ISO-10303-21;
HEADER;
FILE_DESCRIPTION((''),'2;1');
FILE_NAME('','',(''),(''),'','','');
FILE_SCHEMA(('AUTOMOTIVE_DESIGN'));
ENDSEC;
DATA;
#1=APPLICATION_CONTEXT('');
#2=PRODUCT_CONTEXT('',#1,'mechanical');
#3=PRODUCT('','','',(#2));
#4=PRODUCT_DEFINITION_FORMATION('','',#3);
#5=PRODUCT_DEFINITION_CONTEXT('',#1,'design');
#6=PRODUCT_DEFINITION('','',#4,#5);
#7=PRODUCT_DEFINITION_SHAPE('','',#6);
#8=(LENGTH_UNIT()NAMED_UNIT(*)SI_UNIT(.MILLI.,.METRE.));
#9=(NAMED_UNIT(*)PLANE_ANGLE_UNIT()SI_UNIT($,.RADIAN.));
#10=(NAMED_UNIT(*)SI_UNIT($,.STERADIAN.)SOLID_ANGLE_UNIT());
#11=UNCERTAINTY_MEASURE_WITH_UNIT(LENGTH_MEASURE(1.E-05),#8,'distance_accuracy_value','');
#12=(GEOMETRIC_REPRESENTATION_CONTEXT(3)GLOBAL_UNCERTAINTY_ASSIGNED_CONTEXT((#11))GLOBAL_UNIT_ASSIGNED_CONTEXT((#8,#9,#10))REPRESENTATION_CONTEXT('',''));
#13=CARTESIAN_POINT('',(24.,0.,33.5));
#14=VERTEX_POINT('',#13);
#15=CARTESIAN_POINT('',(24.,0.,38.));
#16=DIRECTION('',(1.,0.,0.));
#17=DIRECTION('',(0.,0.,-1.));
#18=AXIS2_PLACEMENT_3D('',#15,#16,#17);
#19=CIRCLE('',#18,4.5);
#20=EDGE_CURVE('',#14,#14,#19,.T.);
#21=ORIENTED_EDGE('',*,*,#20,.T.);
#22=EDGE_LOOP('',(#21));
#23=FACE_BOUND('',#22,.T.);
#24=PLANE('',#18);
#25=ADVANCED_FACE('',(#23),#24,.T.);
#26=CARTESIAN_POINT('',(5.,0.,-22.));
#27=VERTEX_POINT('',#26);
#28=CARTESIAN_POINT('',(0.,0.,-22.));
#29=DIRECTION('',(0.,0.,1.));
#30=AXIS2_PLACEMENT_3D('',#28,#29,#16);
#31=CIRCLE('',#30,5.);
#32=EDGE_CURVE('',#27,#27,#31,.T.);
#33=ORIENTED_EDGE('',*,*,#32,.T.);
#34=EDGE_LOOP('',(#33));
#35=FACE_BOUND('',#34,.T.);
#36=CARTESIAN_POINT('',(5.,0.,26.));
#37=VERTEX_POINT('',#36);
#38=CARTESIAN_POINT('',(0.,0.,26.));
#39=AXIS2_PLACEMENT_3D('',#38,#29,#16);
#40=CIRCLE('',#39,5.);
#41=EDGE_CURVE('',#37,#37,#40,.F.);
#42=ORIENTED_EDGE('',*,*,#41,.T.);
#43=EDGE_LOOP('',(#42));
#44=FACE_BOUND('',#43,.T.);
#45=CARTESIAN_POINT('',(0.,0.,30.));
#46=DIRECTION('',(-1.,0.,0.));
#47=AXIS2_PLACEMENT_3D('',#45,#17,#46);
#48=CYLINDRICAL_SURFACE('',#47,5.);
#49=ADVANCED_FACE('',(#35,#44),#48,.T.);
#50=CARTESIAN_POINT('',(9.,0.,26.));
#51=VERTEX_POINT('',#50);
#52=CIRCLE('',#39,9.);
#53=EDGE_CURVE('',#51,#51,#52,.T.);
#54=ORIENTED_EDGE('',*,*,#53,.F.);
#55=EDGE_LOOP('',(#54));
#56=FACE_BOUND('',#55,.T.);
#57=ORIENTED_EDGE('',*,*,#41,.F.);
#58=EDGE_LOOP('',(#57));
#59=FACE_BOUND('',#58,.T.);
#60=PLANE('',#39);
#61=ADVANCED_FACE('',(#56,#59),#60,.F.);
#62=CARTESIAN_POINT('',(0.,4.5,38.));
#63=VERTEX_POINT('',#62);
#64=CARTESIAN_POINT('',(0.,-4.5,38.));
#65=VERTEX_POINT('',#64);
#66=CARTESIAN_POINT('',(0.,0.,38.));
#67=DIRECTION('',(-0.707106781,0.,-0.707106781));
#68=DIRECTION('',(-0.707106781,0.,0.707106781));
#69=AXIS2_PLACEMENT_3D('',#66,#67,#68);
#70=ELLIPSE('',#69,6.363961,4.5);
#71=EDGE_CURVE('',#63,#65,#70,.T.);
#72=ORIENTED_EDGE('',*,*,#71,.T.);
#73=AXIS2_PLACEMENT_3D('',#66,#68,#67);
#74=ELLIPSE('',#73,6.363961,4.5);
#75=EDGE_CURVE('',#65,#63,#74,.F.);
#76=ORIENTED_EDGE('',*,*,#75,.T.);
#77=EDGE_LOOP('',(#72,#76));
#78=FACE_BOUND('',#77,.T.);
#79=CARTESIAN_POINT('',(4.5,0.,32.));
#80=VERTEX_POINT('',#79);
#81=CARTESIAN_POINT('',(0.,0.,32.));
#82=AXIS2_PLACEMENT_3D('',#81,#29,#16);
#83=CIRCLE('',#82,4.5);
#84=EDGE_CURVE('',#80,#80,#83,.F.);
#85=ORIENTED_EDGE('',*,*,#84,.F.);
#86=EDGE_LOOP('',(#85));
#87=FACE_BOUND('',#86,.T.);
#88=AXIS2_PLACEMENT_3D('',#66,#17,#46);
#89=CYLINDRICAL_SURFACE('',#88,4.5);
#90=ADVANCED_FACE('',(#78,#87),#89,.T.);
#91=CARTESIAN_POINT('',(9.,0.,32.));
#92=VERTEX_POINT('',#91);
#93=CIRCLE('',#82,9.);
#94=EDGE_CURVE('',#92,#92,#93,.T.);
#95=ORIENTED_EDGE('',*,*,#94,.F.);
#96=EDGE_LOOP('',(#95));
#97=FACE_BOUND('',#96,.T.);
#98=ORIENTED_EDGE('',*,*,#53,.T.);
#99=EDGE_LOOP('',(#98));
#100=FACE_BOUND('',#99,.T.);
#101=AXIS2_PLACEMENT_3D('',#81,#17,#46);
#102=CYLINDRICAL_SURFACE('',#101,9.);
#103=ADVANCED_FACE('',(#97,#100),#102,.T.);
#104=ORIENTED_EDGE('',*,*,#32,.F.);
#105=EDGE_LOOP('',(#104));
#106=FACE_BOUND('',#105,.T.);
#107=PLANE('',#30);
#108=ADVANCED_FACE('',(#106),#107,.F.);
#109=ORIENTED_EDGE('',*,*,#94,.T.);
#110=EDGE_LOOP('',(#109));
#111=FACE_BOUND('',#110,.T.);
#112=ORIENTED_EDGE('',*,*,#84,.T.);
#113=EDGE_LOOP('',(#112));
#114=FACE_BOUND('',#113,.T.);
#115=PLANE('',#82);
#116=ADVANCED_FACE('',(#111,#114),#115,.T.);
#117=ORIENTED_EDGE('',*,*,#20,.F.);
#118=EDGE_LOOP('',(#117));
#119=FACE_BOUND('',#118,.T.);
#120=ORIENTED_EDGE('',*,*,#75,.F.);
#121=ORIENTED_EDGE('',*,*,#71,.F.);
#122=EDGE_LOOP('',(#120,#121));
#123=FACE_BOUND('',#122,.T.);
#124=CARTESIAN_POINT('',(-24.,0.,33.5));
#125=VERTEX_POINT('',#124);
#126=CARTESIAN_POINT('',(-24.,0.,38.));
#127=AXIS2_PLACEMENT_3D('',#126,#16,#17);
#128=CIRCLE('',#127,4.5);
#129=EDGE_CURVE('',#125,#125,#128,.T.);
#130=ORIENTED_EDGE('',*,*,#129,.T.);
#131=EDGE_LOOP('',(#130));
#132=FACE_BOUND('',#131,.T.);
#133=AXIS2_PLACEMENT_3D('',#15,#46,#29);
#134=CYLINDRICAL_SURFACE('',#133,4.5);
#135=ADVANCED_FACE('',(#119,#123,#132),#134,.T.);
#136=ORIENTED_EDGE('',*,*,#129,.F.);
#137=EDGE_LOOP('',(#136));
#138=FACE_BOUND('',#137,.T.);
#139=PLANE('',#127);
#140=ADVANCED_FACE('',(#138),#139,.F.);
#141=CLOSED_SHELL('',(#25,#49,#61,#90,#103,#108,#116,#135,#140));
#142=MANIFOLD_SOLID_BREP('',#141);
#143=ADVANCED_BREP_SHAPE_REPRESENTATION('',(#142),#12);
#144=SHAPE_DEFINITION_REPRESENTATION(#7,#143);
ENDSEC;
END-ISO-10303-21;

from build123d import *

# Parameters (mm, degrees)
EXTRUDE_START       = -22
EXTRUDE_SKETCH_1_R  = 5
EXTRUDE_1_DEPTH     = 52
EXTRUDE_START_2     = 26
EXTRUDE_SKETCH_2_R  = 9
EXTRUDE_2_DEPTH     = 6
PIPE_SKETCH_1_R     = 4.5
PIPE_1_DEPTH        = 48
PIPE_ROTATE_1_ANGLE = 90
EXTRUDE_START_3     = 30
EXTRUDE_SKETCH_3_R  = 4.5
EXTRUDE_3_DEPTH     = 8


with BuildPart() as part:
    # Extrude sketch 1 → Extrude 1 (new body)
    with BuildSketch(Plane.XY.offset(EXTRUDE_START)):
        Circle(EXTRUDE_SKETCH_1_R)
    extrude(amount=EXTRUDE_1_DEPTH)


with BuildPart() as body_2:
    # Extrude sketch 2 → Extrude 2 (new body)
    with BuildSketch(Plane.XY.offset(EXTRUDE_START_2)):
        Circle(EXTRUDE_SKETCH_2_R)
    extrude(amount=EXTRUDE_2_DEPTH)


with BuildPart() as body_3:
    # Pipe sketch 1 → Pipe 1 (new body)
    with BuildSketch(Plane.XY):
        Circle(PIPE_SKETCH_1_R)
    extrude(amount=PIPE_1_DEPTH)


with BuildPart() as body_3_1:
    # Pipe rotate 1: moved
    add(body_3.part.rotate(Axis((0, 0, 0), (0, 1, 0)), PIPE_ROTATE_1_ANGLE))


with BuildPart() as body_3_2:
    # Pipe place 1: moved
    add(body_3_1.part.moved(Location((-24, 0, 38))))


with BuildPart() as body_4:
    # Extrude sketch 3 → Extrude 3 (new body)
    with BuildSketch(Plane.XY.offset(EXTRUDE_START_3)):
        Circle(EXTRUDE_SKETCH_3_R)
    extrude(amount=EXTRUDE_3_DEPTH)


with BuildPart() as body_3_3:
    add(body_3_2.part)

    # Combine (weld / assembly of features): union body 2, body 4, part
    add(body_2.part)
    add(body_4.part)
    add(part.part)


solid = body_3_3.part
